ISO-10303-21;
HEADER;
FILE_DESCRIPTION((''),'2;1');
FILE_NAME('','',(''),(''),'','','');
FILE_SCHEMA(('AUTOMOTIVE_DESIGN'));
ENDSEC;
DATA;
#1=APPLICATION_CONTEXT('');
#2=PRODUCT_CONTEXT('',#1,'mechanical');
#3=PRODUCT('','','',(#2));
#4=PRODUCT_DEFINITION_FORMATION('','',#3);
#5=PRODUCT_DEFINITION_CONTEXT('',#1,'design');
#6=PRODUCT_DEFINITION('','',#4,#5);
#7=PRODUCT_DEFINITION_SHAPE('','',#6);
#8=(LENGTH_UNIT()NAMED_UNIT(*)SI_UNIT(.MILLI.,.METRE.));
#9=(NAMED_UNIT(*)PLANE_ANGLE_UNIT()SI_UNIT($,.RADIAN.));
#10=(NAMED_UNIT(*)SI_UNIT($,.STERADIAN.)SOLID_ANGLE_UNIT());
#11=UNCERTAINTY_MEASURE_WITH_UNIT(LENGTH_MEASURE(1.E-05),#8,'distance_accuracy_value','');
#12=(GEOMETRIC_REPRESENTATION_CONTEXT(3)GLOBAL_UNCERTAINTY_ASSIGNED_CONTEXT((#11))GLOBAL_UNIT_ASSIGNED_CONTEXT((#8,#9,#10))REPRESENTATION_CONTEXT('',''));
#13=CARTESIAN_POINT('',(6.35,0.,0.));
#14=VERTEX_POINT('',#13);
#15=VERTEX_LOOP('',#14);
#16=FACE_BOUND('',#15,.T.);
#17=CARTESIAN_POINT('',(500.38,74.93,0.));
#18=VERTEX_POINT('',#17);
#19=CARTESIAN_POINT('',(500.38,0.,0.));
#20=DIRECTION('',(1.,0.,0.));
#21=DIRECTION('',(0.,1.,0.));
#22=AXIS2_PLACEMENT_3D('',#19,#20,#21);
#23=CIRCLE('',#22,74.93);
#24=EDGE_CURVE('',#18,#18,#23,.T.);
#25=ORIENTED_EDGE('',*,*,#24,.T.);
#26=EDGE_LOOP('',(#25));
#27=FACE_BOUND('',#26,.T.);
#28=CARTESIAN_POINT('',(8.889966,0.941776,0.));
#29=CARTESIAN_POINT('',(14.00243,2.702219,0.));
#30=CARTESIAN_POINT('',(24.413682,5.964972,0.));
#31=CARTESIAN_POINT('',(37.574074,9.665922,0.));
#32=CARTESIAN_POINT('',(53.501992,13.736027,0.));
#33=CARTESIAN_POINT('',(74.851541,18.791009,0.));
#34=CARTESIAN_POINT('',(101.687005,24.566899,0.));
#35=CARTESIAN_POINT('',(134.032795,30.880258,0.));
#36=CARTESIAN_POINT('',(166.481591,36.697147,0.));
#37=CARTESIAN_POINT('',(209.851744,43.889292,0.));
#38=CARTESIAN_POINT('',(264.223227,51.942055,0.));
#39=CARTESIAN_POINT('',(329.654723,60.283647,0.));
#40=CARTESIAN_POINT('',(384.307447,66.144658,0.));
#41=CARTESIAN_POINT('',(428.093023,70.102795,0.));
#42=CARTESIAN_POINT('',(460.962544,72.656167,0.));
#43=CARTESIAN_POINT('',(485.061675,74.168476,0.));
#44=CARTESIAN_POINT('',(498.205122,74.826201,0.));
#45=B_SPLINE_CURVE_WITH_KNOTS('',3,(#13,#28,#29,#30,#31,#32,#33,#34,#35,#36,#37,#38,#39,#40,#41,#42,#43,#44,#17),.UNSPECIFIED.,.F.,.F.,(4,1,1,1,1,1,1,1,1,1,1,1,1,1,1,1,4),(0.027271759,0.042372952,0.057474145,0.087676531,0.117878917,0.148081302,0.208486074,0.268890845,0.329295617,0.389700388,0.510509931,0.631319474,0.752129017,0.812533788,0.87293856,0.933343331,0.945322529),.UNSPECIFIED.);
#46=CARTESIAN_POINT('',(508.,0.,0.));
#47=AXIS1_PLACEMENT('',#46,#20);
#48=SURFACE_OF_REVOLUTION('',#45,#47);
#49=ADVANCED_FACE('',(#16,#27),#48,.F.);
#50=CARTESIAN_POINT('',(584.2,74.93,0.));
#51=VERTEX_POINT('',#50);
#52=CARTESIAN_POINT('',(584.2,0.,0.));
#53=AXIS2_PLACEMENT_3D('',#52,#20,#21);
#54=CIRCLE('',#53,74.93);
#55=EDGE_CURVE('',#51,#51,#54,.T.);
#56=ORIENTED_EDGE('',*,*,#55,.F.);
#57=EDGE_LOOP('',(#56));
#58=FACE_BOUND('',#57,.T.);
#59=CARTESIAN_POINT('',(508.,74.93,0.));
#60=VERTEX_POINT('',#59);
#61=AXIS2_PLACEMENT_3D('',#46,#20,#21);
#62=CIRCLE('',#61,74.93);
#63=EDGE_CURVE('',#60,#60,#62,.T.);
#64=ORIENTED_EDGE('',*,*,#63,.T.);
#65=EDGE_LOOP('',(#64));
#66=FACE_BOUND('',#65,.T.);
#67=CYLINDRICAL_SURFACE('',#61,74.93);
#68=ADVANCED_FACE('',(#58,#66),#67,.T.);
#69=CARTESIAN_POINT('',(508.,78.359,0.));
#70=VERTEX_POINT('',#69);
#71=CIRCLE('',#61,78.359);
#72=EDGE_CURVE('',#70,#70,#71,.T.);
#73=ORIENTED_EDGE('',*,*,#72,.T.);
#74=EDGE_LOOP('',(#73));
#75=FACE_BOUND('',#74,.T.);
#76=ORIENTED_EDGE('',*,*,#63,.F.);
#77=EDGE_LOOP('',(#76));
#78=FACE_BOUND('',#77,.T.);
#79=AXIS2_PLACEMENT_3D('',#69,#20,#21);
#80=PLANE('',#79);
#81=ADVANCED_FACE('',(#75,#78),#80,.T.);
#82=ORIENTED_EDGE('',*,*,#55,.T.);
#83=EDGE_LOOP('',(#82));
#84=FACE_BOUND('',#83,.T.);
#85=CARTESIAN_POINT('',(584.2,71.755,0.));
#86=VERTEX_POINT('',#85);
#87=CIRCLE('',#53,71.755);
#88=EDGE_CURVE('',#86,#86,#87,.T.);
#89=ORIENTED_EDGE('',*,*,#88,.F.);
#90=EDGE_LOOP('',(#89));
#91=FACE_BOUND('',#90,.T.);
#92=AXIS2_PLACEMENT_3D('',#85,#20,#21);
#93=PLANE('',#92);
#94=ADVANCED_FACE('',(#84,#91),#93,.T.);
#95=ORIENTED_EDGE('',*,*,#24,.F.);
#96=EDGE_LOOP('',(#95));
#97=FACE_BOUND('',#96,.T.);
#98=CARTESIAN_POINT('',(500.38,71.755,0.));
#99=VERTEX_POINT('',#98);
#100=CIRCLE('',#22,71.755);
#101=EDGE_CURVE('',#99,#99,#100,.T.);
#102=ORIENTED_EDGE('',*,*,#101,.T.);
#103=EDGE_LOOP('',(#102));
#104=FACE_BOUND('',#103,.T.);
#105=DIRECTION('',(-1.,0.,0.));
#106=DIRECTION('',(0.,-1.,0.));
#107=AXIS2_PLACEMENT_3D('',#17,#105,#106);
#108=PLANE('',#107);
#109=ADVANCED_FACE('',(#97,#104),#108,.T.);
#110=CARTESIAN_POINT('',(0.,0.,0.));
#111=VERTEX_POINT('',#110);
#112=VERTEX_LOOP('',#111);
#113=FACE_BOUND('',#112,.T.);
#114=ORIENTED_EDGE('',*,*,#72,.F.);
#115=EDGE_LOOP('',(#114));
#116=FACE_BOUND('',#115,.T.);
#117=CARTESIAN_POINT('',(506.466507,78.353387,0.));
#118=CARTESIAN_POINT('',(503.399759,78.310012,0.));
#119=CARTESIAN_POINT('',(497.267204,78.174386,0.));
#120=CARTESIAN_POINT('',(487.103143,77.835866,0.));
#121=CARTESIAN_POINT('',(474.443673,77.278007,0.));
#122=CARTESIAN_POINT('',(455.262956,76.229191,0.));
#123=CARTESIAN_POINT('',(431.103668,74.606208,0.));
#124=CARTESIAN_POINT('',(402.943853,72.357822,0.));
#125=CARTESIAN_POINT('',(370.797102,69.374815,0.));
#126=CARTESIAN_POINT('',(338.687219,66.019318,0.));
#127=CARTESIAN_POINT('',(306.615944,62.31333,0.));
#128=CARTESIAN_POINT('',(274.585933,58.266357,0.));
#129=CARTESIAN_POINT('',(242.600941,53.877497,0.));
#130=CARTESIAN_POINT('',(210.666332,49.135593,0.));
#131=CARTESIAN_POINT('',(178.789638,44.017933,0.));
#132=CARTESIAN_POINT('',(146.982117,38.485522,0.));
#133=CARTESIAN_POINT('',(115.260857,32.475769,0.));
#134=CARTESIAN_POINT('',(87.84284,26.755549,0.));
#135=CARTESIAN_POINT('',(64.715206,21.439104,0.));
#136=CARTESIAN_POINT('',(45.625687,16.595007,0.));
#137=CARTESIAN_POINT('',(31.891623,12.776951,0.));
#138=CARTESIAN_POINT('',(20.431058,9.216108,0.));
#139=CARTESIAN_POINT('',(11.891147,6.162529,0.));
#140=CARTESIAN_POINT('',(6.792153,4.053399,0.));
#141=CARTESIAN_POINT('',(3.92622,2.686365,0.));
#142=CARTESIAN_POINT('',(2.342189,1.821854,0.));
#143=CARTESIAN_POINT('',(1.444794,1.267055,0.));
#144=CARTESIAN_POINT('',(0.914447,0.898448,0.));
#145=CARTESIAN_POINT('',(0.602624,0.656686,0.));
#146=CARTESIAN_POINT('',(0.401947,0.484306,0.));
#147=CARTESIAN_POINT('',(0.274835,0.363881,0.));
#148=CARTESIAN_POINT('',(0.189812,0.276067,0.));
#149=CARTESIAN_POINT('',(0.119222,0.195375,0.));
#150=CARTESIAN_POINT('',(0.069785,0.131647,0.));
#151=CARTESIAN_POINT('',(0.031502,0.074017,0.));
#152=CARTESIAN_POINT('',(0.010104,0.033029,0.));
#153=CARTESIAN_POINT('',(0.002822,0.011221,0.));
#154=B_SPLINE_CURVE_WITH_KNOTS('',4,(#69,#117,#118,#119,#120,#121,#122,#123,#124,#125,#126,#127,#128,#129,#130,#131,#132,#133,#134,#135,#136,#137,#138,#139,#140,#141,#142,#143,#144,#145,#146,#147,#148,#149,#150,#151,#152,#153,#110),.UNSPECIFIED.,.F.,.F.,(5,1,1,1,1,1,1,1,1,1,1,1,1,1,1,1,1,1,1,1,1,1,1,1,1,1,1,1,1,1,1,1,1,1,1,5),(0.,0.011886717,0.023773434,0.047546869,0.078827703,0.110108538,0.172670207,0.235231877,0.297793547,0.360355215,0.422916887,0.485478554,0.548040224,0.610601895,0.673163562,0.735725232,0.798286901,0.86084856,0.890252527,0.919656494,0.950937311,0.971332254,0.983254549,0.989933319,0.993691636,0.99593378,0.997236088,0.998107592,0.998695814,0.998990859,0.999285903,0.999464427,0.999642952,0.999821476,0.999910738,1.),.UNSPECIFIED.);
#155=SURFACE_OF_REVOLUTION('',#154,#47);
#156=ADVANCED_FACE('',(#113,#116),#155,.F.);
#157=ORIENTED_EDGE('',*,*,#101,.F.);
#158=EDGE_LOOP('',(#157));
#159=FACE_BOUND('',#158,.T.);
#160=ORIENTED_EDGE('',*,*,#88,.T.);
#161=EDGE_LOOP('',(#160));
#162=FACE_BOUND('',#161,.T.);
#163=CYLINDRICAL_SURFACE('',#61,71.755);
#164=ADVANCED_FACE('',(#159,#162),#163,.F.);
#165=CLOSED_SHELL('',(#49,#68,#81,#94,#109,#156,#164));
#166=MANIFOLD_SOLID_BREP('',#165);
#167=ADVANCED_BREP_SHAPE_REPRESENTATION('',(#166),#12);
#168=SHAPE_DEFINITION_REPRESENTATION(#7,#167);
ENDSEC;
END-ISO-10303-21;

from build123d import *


with BuildPart() as part:
    # Sketch8 → Revolve8 (revolve)
    with BuildSketch(Plane.XY):
        with BuildLine():
            Line((500.38, 74.93), (500.38, 71.755))
            Line((500.38, 71.755), (584.2, 71.755))
            Line((584.2, 71.755), (584.2, 74.93))
            Line((584.2, 74.93), (508, 74.93))
            Line((508, 74.93), (508, 78.359))
            add(Edge.make_bspline(
                [(0, 0), (0.002822011, 0.011220682), (0.01010376, 0.033028979), (0.031502321, 0.074017024), (0.069784833, 0.131646678), (0.119222388, 0.195375451), (0.189812425, 0.276067496), (0.274835356, 0.363880791), (0.401947452, 0.484306453), (0.602624186, 0.656685654), (0.914446886, 0.898448081), (1.444794417, 1.267055392), (2.342189308, 1.821854316), (3.926219982, 2.68636524), (6.792153336, 4.05339861), (11.891147147, 6.162529219), (20.431057711, 9.216107653), (31.891623295, 12.776951203), (45.625686568, 16.59500746), (64.715206078, 21.439103902), (87.842839522, 26.755548696), (115.260857413, 32.475768916), (146.98211669, 38.485522007), (178.789638074, 44.017933119), (210.666331669, 49.135593448), (242.60094075, 53.877496918), (274.585932559, 58.26635678), (306.615943821, 62.313330004), (338.687218842, 66.019317565), (370.797101622, 69.374815155), (402.943853119, 72.357821551), (431.103668314, 74.606208089), (455.262955994, 76.229190957), (474.443672775, 77.278006717), (487.103143355, 77.83586579), (497.267203511, 78.174386426), (503.399758723, 78.310011701), (506.466506539, 78.353386553), (508, 78.359)],
                knots=[0, 0, 0, 0, 0, 8.9262e-05, 0.000178524, 0.000357048, 0.000535573, 0.000714097, 0.001009141, 0.001304186, 0.001892408, 0.002763912, 0.00406622, 0.006308364, 0.010066681, 0.016745451, 0.028667746, 0.049062689, 0.080343506, 0.109747473, 0.13915144, 0.201713099, 0.264274768, 0.326836438, 0.389398105, 0.451959776, 0.514521446, 0.577083113, 0.639644785, 0.702206453, 0.764768123, 0.827329793, 0.889891462, 0.921172297, 0.952453131, 0.976226566, 0.988113283, 1, 1, 1, 1, 1], degree=4))
            Line((0, 0), (6.35, 0))
            add(Edge.make_bspline(
                [(6.35, 0), (8.889966248, 0.941776103), (14.002430312, 2.70221944), (24.41368228, 5.964971946), (37.574073752, 9.665921605), (53.501991859, 13.736026967), (74.851541203, 18.791009134), (101.687004562, 24.566899435), (134.032795497, 30.880258005), (166.481591208, 36.697147411), (209.851744403, 43.889291933), (264.223227055, 51.942055028), (329.654722932, 60.283647017), (384.307447224, 66.144658428), (428.093023224, 70.10279457), (460.962543932, 72.656167083), (485.06167469, 74.168475737), (498.205122142, 74.826200882), (500.38, 74.93)],
                knots=[0.027271759, 0.027271759, 0.027271759, 0.027271759, 0.042372952, 0.057474145, 0.087676531, 0.117878917, 0.148081302, 0.208486074, 0.268890845, 0.329295617, 0.389700388, 0.510509931, 0.631319474, 0.752129017, 0.812533788, 0.87293856, 0.933343331, 0.945322529, 0.945322529, 0.945322529, 0.945322529], degree=3))
        make_face()
    revolve(axis=Axis((508, 0, 0), (-1, 0, 0)))


solid = part.part
